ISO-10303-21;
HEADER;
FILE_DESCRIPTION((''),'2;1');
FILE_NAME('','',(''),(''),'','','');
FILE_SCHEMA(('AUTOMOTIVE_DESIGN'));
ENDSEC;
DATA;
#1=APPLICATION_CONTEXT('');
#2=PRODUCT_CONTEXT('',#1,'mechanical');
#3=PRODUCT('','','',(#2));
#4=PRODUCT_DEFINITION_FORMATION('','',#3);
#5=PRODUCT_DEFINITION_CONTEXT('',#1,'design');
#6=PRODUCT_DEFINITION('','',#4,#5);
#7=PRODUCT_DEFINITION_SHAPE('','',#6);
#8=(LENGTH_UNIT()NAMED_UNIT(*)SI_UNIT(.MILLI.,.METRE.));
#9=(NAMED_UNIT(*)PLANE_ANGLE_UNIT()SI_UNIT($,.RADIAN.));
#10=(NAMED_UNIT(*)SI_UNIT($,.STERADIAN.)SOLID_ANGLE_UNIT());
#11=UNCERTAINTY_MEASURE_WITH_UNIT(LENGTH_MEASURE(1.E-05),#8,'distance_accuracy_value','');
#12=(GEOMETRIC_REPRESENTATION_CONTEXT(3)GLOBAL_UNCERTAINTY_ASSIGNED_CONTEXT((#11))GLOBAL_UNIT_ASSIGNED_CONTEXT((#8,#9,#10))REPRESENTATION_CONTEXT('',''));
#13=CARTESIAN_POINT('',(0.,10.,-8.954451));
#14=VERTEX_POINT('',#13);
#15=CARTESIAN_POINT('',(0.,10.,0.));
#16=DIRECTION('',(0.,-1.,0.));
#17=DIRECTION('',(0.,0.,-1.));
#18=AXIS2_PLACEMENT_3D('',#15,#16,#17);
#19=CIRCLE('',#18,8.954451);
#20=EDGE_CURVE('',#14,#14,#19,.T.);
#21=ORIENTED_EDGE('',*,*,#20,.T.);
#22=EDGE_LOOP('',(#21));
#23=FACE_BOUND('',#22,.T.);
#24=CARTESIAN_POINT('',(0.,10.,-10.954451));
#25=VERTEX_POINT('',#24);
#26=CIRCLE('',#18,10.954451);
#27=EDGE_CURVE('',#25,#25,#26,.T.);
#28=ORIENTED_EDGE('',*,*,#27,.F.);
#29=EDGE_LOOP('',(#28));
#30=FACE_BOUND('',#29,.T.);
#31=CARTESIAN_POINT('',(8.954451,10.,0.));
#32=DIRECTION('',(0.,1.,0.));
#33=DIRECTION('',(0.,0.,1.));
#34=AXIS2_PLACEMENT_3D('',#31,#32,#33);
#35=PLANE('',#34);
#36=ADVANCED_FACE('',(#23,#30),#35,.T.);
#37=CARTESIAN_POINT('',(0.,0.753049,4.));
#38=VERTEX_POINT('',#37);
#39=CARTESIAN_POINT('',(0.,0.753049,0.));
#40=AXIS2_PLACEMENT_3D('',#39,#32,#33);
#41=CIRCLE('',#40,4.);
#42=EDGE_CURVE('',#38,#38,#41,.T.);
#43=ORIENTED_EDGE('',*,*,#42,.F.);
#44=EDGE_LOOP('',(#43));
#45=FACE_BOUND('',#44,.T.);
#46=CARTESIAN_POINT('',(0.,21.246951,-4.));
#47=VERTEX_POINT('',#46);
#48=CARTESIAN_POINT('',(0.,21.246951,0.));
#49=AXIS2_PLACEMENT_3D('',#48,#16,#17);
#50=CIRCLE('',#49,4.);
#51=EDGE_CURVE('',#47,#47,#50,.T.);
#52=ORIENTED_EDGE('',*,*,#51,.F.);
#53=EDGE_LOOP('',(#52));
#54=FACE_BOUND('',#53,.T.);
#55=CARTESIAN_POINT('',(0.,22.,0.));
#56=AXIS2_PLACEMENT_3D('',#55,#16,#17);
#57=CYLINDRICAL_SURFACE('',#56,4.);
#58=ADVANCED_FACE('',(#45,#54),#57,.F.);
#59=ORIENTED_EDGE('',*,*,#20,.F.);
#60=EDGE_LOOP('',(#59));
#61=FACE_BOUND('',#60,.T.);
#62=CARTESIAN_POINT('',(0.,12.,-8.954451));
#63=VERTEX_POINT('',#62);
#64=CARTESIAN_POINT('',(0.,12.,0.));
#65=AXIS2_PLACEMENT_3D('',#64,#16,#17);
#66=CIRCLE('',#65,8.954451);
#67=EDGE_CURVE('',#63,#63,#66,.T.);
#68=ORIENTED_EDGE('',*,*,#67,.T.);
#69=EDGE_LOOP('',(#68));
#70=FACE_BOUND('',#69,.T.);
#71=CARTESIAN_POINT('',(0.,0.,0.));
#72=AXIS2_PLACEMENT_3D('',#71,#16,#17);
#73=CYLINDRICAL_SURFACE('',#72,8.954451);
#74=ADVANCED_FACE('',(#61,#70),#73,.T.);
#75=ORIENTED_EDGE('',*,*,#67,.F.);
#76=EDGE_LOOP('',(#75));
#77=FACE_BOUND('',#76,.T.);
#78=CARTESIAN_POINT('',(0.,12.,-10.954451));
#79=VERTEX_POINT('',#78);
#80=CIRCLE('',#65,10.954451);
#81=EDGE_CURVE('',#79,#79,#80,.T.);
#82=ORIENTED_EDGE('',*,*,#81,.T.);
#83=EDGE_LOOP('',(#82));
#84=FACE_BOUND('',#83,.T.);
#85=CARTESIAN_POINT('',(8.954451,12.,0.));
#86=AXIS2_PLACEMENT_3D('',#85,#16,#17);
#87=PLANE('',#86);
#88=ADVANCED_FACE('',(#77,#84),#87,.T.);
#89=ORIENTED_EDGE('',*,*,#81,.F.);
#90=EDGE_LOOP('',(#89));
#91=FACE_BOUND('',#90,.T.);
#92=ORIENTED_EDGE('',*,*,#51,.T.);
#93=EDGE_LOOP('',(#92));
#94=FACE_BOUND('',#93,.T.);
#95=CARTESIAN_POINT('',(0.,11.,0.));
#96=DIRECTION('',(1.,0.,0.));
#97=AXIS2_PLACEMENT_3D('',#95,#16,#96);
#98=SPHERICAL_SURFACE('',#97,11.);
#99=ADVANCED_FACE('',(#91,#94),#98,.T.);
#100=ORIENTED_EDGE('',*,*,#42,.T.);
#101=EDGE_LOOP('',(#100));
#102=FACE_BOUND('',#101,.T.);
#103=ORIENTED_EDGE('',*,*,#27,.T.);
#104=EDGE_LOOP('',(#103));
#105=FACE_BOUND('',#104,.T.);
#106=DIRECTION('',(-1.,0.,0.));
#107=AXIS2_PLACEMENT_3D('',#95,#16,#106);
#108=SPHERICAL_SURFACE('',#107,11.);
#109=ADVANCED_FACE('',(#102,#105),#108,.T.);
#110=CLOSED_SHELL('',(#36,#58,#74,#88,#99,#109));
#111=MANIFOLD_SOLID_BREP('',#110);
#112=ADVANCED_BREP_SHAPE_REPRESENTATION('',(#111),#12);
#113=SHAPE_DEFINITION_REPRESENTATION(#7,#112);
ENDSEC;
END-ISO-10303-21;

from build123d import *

# Parameters (mm, degrees)
SKICA2_R                 = 4
ODEBRAT_VYSUNUT_M1_DEPTH = 23


with BuildPart() as part:
    # Skica1 → Rotovat1 (revolve)
    with BuildSketch(Plane.XY, mode=Mode.PRIVATE) as rotovat1_sk:
        with BuildLine():
            Line((0, 0), (0, 22))
            ThreePointArc((0, 22), (7.416198487, 19.124038405), (10.95445115, 12))
            Line((10.95445115, 12), (8.95445115, 12))
            Line((8.95445115, 12), (8.95445115, 10))
            Line((8.95445115, 10), (10.95445115, 10))
            ThreePointArc((10.95445115, 10), (7.416198487, 2.875961595), (0, 0))
        make_face()
    revolve(rotovat1_sk.sketch.rotate(Axis((0, 0, 0), (0, 1, 0)), 90), axis=Axis((0, 0, 0), (0, 1, 0)))  # turned: the seam where the file's is

    # Skica2 → Odebrat vysunut_m1 (cut, through all)
    with BuildSketch(Plane(origin=(0, 0, 0), x_dir=(1, 0, 0), z_dir=(0, 1, 0))):
        with Locations(Location((0, 0, 0), (0, 0, 90))):  # turned: the seam where the file's is
            Circle(SKICA2_R)
    extrude(amount=ODEBRAT_VYSUNUT_M1_DEPTH, mode=Mode.SUBTRACT)


solid = part.part
